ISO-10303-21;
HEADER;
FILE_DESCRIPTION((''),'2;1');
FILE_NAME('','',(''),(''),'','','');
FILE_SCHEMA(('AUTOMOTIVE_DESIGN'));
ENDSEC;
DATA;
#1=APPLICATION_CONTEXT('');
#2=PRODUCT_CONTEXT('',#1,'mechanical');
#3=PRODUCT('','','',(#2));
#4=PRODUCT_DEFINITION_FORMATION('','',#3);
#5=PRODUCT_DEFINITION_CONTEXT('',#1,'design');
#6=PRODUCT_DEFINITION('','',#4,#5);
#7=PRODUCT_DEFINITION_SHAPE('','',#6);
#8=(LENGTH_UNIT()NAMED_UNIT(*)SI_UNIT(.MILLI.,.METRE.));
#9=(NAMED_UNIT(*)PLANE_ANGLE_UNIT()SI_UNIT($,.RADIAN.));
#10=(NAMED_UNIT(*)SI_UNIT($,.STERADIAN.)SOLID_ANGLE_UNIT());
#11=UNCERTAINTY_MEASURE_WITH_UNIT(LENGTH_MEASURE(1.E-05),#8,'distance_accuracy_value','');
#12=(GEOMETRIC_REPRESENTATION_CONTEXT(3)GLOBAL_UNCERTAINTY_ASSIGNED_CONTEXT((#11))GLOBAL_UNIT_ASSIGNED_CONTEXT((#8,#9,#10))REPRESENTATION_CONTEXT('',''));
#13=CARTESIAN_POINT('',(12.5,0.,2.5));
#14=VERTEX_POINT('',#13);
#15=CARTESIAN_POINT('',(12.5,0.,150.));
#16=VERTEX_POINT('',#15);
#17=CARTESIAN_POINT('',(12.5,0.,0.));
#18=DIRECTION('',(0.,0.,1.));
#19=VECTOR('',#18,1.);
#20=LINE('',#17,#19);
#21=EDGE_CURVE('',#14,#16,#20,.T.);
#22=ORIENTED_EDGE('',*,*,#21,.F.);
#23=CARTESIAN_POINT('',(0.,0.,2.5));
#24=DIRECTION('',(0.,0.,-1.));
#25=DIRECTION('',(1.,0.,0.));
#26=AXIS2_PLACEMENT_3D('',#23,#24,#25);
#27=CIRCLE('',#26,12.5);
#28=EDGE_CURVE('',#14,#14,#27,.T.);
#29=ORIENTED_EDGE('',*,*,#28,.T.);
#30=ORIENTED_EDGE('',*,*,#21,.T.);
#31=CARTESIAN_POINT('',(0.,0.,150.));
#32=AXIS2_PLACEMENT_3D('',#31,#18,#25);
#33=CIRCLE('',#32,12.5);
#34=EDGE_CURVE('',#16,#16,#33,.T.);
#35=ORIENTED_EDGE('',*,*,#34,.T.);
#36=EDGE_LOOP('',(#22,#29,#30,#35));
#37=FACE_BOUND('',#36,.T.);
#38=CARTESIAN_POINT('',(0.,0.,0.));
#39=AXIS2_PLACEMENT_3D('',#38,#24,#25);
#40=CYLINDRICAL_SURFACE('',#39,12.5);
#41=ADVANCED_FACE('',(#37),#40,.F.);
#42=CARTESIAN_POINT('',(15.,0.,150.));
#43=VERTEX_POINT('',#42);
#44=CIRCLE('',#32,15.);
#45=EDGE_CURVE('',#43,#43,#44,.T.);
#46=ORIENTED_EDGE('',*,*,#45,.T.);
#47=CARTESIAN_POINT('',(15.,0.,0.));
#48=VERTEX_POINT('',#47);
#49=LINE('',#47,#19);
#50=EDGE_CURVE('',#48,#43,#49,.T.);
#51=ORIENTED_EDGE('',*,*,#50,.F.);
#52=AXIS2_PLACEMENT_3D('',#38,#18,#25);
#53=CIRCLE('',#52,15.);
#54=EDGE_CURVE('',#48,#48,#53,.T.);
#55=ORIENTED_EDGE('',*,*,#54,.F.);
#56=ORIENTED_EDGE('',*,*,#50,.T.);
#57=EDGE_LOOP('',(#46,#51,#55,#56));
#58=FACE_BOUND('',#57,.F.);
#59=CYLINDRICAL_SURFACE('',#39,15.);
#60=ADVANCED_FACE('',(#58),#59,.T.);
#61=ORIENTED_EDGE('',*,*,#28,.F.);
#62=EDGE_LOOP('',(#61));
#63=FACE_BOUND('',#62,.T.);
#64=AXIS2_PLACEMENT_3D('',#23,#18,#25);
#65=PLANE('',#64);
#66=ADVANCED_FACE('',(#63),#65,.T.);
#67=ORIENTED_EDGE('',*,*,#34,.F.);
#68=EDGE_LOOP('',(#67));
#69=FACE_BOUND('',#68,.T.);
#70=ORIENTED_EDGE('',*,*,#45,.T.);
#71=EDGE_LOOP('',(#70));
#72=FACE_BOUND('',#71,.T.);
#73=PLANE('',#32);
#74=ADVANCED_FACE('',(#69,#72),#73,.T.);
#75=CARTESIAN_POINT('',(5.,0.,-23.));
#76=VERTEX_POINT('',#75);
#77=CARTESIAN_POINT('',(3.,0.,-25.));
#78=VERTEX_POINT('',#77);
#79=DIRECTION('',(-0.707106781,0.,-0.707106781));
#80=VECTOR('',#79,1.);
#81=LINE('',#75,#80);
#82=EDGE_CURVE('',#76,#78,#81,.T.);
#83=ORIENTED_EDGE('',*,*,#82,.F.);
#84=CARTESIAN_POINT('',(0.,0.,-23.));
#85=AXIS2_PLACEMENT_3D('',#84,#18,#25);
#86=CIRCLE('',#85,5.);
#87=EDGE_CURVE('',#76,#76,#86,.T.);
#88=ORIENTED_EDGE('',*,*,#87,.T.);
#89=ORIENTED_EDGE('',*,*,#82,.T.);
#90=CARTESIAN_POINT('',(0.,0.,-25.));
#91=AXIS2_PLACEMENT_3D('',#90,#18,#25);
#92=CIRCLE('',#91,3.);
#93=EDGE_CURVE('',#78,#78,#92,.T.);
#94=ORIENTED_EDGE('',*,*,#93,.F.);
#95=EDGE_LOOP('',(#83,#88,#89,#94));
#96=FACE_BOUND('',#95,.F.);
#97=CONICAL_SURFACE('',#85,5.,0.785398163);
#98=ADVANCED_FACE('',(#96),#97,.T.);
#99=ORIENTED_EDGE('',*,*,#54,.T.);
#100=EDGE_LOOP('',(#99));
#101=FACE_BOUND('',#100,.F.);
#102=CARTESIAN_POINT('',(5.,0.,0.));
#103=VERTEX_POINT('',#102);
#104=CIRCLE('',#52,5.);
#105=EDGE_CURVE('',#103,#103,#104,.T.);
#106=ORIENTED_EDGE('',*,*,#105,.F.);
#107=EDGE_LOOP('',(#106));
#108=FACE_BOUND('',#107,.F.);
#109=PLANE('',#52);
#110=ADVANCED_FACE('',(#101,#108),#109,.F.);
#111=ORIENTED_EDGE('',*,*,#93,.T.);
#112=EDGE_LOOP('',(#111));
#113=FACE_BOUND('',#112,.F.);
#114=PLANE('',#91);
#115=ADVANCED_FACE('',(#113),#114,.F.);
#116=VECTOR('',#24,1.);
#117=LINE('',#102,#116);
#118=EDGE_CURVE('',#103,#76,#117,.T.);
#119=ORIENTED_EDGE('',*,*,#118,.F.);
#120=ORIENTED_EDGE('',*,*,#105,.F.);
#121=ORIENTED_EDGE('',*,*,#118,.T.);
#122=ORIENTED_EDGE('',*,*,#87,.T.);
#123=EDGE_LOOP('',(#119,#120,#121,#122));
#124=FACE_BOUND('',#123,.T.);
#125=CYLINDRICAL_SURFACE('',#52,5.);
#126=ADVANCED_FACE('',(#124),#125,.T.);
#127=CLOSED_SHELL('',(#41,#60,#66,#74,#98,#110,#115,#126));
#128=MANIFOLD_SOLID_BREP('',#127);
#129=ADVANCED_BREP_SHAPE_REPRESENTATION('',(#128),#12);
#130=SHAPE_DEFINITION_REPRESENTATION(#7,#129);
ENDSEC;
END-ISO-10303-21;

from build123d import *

# Parameters (mm, degrees)
F0_R     = 15
F1_DEPTH = 150
F2_T     = -2.5
F3_R     = 5
F4_DEPTH = 25
F5_SIZE  = 2


with BuildPart() as f1:
    # F0 (on Top) → F1 (new body)
    with BuildSketch(Plane.XY):
        Circle(F0_R)
    extrude(amount=F1_DEPTH)

    # F2
    f2_openings = [f1.faces().sort_by_distance(p)[0] for p in [
        (0, 0, 150),
    ]]
    offset(amount=F2_T, openings=f2_openings)

    # F3 (on Top) → F4 (join)
    with BuildSketch(Plane.XY):
        Circle(F3_R)
    extrude(amount=-F4_DEPTH)

    # F5
    f5_edges = [f1.edges().sort_by_distance(p)[0] for p in [
        (-5, 0, -25),
    ]]
    chamfer(f5_edges, length=F5_SIZE)


solid = f1.part
